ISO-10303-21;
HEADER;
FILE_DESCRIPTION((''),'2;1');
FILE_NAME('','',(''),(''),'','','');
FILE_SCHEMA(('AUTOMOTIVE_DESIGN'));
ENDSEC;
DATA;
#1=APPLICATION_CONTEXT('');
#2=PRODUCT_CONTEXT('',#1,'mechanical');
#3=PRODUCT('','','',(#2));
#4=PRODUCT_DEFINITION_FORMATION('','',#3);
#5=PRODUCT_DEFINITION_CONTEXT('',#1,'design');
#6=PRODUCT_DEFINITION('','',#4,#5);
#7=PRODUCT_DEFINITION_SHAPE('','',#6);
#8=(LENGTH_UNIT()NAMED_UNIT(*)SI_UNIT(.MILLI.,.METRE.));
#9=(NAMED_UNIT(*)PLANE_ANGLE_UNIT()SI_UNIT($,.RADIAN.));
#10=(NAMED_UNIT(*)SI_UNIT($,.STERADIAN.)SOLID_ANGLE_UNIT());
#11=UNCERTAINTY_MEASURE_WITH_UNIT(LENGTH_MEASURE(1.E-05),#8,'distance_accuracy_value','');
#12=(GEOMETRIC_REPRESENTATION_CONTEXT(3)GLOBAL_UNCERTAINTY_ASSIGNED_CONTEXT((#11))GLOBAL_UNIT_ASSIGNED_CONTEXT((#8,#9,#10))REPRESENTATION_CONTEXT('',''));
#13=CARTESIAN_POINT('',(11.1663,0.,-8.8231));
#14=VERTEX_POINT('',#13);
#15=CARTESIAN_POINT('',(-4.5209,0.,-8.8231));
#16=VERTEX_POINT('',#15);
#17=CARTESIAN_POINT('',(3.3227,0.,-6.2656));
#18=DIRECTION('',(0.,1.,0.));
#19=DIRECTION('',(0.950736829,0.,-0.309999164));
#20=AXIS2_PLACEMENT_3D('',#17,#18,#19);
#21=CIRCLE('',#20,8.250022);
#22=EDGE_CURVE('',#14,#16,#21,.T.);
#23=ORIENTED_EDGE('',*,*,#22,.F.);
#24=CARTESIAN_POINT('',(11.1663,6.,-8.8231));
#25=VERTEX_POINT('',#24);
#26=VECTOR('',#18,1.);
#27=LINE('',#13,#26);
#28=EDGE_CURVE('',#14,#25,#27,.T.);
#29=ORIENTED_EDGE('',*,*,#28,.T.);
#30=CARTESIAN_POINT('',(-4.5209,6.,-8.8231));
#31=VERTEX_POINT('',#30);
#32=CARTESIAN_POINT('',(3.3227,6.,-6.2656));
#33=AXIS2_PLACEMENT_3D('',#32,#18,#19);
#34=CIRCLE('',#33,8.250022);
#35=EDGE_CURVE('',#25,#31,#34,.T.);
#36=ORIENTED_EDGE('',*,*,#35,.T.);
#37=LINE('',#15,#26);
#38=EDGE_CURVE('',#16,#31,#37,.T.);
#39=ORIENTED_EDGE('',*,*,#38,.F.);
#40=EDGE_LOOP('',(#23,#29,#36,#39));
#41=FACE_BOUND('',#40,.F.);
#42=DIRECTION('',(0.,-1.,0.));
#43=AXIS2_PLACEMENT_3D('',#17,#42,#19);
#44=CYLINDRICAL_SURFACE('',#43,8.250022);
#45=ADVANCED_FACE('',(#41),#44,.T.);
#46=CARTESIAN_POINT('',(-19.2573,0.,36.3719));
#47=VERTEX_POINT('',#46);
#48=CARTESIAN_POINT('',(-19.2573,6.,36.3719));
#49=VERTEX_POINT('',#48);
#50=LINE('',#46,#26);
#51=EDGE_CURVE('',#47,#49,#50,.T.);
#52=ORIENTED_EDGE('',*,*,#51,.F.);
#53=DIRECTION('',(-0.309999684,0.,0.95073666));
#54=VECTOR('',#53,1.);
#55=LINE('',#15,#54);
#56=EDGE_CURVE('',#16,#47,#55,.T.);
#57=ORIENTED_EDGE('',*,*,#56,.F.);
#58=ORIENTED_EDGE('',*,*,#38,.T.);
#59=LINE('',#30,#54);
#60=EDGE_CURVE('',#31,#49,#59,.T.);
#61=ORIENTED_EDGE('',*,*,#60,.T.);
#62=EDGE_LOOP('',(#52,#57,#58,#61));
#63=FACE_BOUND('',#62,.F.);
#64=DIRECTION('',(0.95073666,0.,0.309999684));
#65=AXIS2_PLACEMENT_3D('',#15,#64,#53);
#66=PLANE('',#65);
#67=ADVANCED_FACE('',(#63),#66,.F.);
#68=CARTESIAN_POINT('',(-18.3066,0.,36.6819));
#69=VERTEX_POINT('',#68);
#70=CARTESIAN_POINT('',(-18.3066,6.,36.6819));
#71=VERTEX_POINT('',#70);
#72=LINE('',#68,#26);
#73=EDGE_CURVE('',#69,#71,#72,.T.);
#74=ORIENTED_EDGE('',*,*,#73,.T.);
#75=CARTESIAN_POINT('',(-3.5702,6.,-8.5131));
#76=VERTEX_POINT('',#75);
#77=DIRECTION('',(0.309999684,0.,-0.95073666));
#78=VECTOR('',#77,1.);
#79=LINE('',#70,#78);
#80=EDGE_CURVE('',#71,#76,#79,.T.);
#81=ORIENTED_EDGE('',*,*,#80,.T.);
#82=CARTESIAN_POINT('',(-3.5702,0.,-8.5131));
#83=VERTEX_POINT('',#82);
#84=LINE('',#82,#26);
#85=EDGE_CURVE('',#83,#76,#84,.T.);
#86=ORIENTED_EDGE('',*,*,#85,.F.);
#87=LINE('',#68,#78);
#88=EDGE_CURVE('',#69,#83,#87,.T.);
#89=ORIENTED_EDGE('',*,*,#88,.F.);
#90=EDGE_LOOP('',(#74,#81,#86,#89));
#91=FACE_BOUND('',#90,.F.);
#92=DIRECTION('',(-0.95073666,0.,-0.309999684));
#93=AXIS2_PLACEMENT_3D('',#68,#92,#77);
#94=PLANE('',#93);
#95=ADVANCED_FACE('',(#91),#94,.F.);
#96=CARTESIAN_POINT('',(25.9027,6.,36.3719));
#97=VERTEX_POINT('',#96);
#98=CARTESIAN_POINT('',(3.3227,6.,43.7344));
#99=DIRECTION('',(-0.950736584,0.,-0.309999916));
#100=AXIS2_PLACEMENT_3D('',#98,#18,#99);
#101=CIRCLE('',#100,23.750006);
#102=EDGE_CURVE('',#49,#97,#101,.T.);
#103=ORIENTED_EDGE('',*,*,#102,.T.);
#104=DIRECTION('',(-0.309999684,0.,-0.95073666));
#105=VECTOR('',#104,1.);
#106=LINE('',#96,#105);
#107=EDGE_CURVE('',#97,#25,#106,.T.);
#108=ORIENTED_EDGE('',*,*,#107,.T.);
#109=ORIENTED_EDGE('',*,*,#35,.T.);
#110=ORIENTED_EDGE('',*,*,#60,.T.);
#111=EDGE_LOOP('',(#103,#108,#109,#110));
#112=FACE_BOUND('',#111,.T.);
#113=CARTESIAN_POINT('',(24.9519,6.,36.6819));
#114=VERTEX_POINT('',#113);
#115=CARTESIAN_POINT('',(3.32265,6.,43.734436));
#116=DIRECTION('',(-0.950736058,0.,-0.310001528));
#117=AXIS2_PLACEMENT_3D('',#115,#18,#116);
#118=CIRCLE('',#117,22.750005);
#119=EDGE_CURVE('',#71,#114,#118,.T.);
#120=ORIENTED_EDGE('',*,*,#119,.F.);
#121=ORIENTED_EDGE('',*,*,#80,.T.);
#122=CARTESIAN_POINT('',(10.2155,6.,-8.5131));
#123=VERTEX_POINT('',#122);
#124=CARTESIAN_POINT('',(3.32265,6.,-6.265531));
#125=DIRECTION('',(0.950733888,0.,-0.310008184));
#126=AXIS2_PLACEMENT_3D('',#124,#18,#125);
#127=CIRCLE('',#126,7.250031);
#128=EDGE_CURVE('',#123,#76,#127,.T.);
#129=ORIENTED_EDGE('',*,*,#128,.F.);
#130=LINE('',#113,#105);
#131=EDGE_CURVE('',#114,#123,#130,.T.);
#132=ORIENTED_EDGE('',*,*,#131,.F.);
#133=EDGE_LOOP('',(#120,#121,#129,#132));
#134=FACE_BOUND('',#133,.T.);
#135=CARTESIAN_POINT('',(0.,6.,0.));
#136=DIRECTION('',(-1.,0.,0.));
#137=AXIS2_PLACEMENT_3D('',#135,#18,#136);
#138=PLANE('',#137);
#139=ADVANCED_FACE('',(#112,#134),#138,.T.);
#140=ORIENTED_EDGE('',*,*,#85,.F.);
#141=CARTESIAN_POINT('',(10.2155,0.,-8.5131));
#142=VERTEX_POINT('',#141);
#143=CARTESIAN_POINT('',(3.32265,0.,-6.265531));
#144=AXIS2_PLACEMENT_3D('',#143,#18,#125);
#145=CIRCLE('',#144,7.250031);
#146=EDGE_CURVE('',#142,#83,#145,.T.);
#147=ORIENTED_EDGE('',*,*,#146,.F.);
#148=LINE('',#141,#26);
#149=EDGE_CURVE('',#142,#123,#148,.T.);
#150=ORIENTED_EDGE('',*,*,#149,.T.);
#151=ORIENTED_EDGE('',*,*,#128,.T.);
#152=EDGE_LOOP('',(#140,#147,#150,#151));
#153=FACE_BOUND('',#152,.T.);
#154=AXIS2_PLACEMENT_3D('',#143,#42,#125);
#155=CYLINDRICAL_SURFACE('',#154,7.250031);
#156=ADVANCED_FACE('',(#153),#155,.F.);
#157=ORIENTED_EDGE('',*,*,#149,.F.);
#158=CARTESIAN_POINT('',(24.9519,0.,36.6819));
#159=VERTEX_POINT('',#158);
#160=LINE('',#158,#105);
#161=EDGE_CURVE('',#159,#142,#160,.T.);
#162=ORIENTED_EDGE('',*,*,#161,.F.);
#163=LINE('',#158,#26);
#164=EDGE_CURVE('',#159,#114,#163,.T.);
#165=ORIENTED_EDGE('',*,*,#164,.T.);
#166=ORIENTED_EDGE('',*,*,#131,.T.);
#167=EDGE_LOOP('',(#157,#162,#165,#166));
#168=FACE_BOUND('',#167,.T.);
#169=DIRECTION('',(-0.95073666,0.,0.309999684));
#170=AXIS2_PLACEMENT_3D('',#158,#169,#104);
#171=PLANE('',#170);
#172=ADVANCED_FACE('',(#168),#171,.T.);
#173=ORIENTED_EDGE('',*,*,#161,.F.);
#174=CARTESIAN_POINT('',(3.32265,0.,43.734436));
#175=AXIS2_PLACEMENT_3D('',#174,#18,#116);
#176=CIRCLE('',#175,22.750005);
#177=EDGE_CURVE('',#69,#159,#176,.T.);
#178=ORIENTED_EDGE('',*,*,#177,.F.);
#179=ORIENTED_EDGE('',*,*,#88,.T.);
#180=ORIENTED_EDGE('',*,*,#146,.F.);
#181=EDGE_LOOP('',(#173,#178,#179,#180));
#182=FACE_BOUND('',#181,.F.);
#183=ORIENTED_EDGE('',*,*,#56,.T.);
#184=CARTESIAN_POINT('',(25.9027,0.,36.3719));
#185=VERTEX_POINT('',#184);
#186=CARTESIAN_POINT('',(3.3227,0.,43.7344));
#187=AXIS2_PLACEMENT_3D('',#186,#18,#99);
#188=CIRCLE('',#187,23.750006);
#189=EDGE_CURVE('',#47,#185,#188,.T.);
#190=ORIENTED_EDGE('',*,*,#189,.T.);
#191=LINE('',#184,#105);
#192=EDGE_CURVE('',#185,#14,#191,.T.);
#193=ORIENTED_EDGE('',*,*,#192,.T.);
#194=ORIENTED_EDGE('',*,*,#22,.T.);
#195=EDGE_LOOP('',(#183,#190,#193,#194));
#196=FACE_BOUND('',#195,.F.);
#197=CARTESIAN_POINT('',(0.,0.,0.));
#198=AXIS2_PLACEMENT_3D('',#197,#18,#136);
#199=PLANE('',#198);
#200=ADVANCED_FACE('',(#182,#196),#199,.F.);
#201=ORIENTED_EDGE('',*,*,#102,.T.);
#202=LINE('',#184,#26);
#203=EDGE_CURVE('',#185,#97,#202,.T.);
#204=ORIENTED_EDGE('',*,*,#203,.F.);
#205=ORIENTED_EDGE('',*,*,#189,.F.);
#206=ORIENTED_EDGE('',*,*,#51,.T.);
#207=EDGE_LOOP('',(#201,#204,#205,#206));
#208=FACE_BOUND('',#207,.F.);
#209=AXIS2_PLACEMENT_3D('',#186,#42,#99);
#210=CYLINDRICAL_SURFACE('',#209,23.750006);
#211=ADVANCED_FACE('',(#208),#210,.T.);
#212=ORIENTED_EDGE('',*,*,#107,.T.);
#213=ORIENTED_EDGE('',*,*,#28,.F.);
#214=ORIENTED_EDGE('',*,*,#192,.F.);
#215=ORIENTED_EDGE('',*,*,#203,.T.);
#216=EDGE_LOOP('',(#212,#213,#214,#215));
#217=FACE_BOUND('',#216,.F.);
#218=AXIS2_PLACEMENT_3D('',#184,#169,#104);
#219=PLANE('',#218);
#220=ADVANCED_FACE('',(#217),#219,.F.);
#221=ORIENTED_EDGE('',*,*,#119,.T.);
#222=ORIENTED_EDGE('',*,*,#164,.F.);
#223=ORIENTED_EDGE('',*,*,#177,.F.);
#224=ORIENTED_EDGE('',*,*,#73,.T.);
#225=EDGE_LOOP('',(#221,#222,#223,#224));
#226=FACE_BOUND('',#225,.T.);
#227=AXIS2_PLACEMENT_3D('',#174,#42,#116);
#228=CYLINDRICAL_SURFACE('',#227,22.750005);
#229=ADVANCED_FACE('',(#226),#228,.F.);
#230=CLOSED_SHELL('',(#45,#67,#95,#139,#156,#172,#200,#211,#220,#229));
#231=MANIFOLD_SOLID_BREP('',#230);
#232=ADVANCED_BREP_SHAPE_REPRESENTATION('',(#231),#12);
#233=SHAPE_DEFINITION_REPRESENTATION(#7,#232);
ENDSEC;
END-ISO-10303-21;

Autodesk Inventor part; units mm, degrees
ref_plane "YZ Plane" through (0, 0, 0) normal (1, 0, 0) x (0, 1, 0)
ref_plane "XZ Plane" through (0, 0, 0) normal (0, 1, 0) x (-1, 0, 0)
ref_plane "XY Plane" through (0, 0, 0) normal (0, 0, 1) x (1, 0, 0)
sketch "Sketch1" plane through (0, 0, 0) normal (0, 1, 0) x (-1, 0, 0)
  arc A0 (18.3066, 36.6819) -> (-24.9519, 36.6819) centre (-3.3227, 43.7344) ccw
  arc A1 (-10.2155, -8.5131) -> (3.5702, -8.5131) centre (-3.3227, -6.2656) ccw
  line L0 (-24.9519, 36.6819) -> (-10.2155, -8.5131)
  line L1 (18.3066, 36.6819) -> (3.5702, -8.5131)
  line L2 (-25.9027, 36.3719) -> (-11.1663, -8.8231)
  arc A2 (-11.1663, -8.8231) -> (4.5209, -8.8231) centre (-3.3227, -6.2656) ccw
  line L3 (4.5209, -8.8231) -> (19.2573, 36.3719)
  arc A3 (19.2573, 36.3719) -> (-25.9027, 36.3719) centre (-3.3227, 43.7344) ccw
  point P0 (0, 0)
  dimension "d0" = 45.5
  dimension "d1" = 14.5
  dimension "d2" = 50
  dimension "d3" = 1
extrude "Extrusion1" add sketch "Sketch1" along normal blind 6
properties part number "COTS_Optibelt_Omega_HTD3M_204T_6mm"
